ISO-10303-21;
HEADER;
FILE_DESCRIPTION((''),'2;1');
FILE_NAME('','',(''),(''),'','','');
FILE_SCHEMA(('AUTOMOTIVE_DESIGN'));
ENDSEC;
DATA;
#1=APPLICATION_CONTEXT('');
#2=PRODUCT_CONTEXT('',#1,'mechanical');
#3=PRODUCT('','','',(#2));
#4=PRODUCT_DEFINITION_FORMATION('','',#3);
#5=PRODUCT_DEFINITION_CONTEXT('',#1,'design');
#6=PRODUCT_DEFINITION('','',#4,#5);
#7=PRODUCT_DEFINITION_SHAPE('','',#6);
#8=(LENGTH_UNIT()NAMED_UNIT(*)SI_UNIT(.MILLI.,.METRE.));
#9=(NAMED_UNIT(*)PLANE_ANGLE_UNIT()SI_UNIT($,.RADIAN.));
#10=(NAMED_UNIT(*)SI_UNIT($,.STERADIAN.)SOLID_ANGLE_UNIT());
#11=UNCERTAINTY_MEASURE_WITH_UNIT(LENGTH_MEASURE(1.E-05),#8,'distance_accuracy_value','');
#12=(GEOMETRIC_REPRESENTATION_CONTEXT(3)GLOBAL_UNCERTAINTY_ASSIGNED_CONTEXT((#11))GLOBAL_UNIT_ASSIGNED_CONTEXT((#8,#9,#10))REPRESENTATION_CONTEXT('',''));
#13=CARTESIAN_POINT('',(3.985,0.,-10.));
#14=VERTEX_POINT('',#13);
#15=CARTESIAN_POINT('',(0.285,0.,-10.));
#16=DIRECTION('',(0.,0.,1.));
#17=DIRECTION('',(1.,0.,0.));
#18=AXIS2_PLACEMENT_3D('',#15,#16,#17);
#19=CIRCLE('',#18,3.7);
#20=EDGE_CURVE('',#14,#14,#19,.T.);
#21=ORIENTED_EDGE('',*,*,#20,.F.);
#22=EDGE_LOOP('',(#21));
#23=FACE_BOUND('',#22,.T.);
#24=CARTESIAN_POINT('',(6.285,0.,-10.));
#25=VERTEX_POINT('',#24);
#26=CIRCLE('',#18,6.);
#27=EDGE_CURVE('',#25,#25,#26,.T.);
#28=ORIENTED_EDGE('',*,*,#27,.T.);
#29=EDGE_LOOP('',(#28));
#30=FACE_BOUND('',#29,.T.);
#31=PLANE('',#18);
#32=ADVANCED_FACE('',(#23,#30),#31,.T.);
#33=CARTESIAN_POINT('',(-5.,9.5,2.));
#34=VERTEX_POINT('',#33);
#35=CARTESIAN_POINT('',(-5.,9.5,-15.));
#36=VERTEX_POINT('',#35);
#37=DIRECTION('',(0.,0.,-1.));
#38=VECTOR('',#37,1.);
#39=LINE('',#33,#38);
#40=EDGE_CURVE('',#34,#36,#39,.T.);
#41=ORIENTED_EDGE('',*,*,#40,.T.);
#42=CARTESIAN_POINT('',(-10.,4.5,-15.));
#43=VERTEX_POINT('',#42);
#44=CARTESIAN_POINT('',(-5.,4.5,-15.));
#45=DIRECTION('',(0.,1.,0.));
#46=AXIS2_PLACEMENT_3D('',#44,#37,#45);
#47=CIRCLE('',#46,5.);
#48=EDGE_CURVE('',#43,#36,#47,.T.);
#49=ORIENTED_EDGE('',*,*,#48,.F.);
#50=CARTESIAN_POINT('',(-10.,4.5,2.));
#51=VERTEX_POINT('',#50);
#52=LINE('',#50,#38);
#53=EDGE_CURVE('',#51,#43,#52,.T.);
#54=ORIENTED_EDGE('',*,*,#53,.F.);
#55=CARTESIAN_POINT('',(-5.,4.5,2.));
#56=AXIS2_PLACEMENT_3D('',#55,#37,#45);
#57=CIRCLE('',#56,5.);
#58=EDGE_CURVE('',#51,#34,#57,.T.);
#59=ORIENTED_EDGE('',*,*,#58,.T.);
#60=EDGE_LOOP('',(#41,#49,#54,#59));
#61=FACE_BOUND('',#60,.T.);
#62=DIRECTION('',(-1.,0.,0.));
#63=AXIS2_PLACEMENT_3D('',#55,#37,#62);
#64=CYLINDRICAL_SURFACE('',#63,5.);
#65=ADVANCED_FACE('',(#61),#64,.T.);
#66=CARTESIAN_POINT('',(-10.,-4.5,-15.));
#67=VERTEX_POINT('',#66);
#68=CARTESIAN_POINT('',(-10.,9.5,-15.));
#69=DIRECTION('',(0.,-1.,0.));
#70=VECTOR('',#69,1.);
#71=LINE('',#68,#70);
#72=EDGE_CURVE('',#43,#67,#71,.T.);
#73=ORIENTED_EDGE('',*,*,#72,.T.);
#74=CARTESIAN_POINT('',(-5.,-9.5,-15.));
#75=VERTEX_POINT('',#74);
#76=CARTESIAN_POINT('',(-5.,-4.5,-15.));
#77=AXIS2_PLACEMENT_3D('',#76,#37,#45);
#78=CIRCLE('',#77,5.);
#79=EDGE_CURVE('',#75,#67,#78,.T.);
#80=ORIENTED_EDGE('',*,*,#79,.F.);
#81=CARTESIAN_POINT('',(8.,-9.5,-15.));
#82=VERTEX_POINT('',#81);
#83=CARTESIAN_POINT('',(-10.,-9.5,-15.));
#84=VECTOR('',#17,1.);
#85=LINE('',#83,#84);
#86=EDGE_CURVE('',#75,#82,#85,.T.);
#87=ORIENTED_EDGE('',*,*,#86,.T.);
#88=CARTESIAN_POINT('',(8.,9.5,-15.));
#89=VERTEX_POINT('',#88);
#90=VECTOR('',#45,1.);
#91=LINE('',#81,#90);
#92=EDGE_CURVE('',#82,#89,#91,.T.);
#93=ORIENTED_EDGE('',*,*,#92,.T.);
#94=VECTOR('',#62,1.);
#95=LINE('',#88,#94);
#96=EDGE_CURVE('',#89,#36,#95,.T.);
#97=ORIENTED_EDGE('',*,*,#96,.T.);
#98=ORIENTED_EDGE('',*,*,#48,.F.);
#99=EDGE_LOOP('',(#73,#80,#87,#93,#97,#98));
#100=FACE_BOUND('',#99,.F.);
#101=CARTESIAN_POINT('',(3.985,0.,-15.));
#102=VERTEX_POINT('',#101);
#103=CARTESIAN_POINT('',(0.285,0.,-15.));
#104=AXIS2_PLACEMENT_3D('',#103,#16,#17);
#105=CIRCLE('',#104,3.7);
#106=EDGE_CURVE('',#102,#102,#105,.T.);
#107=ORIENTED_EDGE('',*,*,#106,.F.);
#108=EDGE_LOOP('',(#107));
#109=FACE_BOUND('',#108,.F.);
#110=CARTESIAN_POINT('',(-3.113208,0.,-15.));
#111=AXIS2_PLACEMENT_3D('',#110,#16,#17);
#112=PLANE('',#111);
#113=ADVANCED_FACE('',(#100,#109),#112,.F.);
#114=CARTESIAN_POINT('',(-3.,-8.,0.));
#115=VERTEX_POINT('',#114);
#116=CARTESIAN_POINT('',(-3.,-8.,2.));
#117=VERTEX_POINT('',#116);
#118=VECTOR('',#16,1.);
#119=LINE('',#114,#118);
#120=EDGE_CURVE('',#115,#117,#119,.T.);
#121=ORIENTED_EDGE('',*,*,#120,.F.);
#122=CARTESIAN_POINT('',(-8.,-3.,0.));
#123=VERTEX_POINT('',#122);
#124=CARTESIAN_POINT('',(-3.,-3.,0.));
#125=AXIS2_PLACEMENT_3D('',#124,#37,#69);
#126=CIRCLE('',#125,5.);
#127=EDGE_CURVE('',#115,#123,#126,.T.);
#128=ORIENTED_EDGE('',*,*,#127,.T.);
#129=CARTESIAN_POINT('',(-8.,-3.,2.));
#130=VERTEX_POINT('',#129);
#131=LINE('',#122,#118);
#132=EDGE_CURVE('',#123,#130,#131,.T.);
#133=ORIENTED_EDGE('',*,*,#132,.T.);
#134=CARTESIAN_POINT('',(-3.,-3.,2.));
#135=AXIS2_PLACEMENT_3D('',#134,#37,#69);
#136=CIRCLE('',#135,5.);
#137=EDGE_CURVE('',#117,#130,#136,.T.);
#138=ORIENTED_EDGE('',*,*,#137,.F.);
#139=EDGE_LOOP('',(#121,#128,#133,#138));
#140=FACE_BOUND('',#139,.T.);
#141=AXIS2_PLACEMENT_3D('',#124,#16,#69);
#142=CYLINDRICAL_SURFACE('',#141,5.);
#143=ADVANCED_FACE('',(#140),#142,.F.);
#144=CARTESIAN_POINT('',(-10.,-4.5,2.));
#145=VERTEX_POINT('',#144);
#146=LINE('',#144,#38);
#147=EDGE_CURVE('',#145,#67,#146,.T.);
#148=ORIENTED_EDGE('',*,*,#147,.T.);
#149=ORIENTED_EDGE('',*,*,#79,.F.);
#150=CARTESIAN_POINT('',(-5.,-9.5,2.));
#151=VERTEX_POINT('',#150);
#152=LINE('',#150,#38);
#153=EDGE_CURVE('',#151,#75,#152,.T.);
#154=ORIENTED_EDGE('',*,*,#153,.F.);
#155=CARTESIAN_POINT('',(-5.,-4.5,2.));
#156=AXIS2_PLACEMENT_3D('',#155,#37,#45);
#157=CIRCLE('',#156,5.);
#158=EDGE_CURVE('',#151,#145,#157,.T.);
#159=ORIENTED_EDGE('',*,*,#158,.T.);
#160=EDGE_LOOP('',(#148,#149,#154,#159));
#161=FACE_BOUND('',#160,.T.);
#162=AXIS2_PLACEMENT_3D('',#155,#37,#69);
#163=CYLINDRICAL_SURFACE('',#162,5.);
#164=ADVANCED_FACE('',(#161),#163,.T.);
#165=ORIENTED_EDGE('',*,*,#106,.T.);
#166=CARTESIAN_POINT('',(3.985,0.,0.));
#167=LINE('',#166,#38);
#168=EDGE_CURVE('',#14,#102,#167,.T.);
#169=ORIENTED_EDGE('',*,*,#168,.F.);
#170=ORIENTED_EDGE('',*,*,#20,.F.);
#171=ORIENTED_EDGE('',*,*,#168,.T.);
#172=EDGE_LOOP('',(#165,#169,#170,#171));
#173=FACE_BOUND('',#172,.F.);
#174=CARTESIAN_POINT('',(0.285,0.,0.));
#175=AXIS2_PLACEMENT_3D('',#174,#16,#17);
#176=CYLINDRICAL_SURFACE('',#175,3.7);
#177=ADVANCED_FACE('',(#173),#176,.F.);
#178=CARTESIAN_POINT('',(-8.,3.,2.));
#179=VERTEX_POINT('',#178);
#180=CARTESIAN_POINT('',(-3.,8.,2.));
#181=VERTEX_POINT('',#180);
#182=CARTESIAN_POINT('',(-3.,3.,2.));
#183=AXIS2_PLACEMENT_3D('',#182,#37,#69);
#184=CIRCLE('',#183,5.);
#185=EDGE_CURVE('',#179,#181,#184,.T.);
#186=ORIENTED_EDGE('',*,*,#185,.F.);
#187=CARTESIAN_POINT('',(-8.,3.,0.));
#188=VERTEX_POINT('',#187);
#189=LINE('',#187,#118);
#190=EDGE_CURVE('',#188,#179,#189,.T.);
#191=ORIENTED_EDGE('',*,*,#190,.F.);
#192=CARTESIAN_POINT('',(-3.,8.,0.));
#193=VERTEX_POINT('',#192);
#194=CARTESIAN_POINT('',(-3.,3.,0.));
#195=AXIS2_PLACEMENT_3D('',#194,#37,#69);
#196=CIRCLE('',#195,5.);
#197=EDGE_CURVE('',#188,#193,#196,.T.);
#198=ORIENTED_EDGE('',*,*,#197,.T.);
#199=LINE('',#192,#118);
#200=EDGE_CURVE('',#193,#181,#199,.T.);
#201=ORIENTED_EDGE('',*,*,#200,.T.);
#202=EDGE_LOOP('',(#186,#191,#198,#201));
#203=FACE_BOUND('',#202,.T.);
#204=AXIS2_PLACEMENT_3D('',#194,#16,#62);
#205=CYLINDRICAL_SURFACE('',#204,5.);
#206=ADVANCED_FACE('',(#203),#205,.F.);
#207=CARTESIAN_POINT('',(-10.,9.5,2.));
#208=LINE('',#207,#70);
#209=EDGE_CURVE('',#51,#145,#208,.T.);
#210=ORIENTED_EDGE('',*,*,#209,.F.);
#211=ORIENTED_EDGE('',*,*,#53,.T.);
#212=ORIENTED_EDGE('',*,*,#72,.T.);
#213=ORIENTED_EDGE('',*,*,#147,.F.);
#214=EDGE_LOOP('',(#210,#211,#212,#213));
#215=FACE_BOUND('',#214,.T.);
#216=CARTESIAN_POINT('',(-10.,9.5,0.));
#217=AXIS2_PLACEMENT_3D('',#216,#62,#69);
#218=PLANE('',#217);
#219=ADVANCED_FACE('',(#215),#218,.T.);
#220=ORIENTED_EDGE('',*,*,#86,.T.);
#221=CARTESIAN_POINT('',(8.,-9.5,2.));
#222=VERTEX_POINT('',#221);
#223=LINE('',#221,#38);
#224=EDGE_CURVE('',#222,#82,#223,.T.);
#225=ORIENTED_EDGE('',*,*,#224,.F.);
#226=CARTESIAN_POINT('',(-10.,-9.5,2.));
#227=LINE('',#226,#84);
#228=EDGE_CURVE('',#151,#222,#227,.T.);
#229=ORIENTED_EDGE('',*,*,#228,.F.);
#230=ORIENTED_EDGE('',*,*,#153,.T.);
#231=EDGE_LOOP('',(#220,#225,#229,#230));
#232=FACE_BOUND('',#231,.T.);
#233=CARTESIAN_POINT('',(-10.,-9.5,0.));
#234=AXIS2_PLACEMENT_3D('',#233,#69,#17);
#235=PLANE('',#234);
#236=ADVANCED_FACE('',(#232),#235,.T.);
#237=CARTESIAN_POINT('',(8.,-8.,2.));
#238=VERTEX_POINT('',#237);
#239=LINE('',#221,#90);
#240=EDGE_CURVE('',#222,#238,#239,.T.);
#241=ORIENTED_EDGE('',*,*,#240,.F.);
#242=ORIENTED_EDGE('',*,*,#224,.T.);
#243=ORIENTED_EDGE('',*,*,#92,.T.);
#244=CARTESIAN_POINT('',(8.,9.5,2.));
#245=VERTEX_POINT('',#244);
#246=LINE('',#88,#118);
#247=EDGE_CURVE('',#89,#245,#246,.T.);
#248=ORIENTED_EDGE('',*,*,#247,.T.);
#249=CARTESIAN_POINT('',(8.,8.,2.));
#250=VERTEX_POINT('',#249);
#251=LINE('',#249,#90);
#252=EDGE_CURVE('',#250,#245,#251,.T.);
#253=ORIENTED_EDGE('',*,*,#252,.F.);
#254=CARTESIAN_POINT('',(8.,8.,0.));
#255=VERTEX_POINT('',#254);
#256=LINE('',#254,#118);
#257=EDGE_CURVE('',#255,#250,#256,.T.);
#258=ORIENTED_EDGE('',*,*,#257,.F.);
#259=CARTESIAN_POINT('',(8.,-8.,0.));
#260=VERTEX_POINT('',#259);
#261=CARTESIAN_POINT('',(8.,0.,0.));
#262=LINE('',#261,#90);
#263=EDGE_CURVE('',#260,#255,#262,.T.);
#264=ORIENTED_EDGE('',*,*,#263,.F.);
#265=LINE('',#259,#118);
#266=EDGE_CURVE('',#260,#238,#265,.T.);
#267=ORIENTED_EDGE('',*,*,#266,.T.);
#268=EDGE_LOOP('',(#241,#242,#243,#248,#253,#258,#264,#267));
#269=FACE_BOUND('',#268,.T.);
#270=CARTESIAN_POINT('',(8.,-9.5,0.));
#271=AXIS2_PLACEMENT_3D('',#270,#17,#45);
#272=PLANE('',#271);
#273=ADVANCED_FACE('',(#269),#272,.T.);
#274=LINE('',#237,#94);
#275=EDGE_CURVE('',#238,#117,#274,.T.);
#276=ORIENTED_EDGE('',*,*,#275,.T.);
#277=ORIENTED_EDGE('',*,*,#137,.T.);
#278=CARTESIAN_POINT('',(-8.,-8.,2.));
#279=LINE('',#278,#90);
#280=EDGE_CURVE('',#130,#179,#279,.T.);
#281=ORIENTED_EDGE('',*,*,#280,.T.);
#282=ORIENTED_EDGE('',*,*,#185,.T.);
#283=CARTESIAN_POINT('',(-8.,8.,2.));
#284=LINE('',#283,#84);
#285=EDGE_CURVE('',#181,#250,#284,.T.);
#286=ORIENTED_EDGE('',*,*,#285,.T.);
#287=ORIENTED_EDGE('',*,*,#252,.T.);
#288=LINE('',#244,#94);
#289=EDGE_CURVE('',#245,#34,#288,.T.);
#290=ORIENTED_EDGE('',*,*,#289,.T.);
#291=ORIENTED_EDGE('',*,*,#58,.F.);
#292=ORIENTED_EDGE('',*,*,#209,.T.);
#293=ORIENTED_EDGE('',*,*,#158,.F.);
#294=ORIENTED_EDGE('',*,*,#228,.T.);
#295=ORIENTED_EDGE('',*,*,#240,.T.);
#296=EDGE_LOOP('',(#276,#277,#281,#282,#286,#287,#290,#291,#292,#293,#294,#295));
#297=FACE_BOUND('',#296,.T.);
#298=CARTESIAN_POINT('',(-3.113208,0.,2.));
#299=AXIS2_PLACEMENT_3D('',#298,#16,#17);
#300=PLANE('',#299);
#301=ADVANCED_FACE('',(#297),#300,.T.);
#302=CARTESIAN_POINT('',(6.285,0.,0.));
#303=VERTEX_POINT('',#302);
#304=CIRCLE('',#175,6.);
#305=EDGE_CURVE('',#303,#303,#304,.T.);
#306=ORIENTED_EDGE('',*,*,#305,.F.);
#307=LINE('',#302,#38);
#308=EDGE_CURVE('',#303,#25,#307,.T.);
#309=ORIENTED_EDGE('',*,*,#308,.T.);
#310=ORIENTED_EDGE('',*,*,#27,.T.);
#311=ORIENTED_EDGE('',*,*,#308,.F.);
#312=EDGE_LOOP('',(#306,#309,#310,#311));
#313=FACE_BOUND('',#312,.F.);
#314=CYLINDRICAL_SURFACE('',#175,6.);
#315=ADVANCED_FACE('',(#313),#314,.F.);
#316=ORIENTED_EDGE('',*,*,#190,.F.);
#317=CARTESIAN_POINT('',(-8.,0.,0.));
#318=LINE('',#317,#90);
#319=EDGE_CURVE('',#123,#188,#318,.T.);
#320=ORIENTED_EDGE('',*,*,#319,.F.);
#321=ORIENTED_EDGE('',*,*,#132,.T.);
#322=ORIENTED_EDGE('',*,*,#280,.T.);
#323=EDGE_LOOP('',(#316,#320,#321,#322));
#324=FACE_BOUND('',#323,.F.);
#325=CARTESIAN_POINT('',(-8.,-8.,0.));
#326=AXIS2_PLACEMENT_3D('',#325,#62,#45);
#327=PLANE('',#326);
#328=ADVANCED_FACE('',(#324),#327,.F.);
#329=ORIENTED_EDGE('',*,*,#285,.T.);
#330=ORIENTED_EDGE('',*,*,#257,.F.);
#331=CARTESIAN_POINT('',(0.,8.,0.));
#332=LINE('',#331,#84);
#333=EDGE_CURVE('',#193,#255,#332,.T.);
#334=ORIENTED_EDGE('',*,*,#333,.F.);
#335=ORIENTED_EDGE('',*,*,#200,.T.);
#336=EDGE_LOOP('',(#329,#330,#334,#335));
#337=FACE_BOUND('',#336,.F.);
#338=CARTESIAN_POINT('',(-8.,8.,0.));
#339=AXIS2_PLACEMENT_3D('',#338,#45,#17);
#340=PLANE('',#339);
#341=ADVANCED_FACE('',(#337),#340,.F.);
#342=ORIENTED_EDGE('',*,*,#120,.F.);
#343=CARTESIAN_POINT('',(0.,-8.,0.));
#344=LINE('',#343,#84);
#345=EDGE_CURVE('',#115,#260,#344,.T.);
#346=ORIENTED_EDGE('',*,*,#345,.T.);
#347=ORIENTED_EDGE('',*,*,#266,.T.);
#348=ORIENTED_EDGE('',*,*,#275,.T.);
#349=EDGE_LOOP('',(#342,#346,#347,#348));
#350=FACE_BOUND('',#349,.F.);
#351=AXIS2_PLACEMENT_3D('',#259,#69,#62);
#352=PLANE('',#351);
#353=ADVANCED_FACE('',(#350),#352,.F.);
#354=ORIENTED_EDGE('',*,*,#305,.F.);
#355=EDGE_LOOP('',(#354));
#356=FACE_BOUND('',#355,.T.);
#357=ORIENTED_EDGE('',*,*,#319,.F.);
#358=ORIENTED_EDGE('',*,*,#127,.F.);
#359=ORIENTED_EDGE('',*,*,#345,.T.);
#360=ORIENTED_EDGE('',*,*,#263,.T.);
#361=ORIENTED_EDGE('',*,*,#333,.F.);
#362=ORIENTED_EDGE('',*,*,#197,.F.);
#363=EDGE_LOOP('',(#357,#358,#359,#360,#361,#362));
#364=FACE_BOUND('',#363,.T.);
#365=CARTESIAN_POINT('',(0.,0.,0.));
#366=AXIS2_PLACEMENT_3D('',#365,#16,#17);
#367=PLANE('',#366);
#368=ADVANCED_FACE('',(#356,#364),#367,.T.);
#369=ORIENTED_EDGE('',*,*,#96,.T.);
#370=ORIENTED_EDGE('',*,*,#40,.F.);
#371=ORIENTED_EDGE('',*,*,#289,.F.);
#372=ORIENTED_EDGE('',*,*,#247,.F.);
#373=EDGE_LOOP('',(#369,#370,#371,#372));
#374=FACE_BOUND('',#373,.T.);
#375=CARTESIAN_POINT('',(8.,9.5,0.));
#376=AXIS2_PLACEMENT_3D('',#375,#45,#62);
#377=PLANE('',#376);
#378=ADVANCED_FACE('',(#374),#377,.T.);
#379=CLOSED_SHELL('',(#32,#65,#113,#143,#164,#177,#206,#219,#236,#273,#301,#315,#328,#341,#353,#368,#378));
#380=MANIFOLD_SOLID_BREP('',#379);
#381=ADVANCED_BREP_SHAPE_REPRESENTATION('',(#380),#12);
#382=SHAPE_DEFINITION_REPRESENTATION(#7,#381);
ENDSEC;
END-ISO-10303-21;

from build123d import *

# Parameters (mm, degrees)
F0_W          = 16
F0_H          = 16
F0_R          = 6
F0_R_2        = 3.7
F1_DEPTH      = 15
F2_DEPTH      = 2
F2_DEPTH_BACK = 15
F3_R          = 5
F4_DEPTH      = 10


with BuildPart() as f1:
    # F0 (on Top) → F1 (new body)
    with BuildSketch(Plane.XY):
        Rectangle(F0_W, F0_H)
        with Locations((0.285, 0)):
            Circle(F0_R, mode=Mode.SUBTRACT)
        with Locations((0.285, 0)):
            Circle(F0_R)
        with Locations((0.285, 0)):
            Circle(F0_R_2, mode=Mode.SUBTRACT)
    extrude(amount=-F1_DEPTH)

    # F0 (on Top) → F2 (join, two sides)
    with BuildSketch(Plane.XY) as f2_sk:
        Polygon((8, -9.5), (8, -8), (-8, -8), (-8, 8), (8, 8), (8, 9.5), (-10, 9.5), (-10, -9.5), align=None)
    extrude(amount=F2_DEPTH)
    extrude(f2_sk.sketch, amount=-F2_DEPTH_BACK)

    # F3
    f3_edges = [f1.edges().sort_by_distance(p)[0] for p in [
        (-8, 8, 1),
        (-8, -8, 1),
        (-10, 9.5, -6.5),
        (-10, -9.5, -6.5),
    ]]
    fillet(f3_edges, radius=F3_R)

    # F0 (on Top) → F4 (cut)
    with BuildSketch(Plane.XY):
        with Locations((0.285, 0)):
            Circle(F0_R)
        with Locations((0.285, 0)):
            Circle(F0_R_2, mode=Mode.SUBTRACT)
    extrude(amount=-F4_DEPTH, mode=Mode.SUBTRACT)


solid = f1.part
